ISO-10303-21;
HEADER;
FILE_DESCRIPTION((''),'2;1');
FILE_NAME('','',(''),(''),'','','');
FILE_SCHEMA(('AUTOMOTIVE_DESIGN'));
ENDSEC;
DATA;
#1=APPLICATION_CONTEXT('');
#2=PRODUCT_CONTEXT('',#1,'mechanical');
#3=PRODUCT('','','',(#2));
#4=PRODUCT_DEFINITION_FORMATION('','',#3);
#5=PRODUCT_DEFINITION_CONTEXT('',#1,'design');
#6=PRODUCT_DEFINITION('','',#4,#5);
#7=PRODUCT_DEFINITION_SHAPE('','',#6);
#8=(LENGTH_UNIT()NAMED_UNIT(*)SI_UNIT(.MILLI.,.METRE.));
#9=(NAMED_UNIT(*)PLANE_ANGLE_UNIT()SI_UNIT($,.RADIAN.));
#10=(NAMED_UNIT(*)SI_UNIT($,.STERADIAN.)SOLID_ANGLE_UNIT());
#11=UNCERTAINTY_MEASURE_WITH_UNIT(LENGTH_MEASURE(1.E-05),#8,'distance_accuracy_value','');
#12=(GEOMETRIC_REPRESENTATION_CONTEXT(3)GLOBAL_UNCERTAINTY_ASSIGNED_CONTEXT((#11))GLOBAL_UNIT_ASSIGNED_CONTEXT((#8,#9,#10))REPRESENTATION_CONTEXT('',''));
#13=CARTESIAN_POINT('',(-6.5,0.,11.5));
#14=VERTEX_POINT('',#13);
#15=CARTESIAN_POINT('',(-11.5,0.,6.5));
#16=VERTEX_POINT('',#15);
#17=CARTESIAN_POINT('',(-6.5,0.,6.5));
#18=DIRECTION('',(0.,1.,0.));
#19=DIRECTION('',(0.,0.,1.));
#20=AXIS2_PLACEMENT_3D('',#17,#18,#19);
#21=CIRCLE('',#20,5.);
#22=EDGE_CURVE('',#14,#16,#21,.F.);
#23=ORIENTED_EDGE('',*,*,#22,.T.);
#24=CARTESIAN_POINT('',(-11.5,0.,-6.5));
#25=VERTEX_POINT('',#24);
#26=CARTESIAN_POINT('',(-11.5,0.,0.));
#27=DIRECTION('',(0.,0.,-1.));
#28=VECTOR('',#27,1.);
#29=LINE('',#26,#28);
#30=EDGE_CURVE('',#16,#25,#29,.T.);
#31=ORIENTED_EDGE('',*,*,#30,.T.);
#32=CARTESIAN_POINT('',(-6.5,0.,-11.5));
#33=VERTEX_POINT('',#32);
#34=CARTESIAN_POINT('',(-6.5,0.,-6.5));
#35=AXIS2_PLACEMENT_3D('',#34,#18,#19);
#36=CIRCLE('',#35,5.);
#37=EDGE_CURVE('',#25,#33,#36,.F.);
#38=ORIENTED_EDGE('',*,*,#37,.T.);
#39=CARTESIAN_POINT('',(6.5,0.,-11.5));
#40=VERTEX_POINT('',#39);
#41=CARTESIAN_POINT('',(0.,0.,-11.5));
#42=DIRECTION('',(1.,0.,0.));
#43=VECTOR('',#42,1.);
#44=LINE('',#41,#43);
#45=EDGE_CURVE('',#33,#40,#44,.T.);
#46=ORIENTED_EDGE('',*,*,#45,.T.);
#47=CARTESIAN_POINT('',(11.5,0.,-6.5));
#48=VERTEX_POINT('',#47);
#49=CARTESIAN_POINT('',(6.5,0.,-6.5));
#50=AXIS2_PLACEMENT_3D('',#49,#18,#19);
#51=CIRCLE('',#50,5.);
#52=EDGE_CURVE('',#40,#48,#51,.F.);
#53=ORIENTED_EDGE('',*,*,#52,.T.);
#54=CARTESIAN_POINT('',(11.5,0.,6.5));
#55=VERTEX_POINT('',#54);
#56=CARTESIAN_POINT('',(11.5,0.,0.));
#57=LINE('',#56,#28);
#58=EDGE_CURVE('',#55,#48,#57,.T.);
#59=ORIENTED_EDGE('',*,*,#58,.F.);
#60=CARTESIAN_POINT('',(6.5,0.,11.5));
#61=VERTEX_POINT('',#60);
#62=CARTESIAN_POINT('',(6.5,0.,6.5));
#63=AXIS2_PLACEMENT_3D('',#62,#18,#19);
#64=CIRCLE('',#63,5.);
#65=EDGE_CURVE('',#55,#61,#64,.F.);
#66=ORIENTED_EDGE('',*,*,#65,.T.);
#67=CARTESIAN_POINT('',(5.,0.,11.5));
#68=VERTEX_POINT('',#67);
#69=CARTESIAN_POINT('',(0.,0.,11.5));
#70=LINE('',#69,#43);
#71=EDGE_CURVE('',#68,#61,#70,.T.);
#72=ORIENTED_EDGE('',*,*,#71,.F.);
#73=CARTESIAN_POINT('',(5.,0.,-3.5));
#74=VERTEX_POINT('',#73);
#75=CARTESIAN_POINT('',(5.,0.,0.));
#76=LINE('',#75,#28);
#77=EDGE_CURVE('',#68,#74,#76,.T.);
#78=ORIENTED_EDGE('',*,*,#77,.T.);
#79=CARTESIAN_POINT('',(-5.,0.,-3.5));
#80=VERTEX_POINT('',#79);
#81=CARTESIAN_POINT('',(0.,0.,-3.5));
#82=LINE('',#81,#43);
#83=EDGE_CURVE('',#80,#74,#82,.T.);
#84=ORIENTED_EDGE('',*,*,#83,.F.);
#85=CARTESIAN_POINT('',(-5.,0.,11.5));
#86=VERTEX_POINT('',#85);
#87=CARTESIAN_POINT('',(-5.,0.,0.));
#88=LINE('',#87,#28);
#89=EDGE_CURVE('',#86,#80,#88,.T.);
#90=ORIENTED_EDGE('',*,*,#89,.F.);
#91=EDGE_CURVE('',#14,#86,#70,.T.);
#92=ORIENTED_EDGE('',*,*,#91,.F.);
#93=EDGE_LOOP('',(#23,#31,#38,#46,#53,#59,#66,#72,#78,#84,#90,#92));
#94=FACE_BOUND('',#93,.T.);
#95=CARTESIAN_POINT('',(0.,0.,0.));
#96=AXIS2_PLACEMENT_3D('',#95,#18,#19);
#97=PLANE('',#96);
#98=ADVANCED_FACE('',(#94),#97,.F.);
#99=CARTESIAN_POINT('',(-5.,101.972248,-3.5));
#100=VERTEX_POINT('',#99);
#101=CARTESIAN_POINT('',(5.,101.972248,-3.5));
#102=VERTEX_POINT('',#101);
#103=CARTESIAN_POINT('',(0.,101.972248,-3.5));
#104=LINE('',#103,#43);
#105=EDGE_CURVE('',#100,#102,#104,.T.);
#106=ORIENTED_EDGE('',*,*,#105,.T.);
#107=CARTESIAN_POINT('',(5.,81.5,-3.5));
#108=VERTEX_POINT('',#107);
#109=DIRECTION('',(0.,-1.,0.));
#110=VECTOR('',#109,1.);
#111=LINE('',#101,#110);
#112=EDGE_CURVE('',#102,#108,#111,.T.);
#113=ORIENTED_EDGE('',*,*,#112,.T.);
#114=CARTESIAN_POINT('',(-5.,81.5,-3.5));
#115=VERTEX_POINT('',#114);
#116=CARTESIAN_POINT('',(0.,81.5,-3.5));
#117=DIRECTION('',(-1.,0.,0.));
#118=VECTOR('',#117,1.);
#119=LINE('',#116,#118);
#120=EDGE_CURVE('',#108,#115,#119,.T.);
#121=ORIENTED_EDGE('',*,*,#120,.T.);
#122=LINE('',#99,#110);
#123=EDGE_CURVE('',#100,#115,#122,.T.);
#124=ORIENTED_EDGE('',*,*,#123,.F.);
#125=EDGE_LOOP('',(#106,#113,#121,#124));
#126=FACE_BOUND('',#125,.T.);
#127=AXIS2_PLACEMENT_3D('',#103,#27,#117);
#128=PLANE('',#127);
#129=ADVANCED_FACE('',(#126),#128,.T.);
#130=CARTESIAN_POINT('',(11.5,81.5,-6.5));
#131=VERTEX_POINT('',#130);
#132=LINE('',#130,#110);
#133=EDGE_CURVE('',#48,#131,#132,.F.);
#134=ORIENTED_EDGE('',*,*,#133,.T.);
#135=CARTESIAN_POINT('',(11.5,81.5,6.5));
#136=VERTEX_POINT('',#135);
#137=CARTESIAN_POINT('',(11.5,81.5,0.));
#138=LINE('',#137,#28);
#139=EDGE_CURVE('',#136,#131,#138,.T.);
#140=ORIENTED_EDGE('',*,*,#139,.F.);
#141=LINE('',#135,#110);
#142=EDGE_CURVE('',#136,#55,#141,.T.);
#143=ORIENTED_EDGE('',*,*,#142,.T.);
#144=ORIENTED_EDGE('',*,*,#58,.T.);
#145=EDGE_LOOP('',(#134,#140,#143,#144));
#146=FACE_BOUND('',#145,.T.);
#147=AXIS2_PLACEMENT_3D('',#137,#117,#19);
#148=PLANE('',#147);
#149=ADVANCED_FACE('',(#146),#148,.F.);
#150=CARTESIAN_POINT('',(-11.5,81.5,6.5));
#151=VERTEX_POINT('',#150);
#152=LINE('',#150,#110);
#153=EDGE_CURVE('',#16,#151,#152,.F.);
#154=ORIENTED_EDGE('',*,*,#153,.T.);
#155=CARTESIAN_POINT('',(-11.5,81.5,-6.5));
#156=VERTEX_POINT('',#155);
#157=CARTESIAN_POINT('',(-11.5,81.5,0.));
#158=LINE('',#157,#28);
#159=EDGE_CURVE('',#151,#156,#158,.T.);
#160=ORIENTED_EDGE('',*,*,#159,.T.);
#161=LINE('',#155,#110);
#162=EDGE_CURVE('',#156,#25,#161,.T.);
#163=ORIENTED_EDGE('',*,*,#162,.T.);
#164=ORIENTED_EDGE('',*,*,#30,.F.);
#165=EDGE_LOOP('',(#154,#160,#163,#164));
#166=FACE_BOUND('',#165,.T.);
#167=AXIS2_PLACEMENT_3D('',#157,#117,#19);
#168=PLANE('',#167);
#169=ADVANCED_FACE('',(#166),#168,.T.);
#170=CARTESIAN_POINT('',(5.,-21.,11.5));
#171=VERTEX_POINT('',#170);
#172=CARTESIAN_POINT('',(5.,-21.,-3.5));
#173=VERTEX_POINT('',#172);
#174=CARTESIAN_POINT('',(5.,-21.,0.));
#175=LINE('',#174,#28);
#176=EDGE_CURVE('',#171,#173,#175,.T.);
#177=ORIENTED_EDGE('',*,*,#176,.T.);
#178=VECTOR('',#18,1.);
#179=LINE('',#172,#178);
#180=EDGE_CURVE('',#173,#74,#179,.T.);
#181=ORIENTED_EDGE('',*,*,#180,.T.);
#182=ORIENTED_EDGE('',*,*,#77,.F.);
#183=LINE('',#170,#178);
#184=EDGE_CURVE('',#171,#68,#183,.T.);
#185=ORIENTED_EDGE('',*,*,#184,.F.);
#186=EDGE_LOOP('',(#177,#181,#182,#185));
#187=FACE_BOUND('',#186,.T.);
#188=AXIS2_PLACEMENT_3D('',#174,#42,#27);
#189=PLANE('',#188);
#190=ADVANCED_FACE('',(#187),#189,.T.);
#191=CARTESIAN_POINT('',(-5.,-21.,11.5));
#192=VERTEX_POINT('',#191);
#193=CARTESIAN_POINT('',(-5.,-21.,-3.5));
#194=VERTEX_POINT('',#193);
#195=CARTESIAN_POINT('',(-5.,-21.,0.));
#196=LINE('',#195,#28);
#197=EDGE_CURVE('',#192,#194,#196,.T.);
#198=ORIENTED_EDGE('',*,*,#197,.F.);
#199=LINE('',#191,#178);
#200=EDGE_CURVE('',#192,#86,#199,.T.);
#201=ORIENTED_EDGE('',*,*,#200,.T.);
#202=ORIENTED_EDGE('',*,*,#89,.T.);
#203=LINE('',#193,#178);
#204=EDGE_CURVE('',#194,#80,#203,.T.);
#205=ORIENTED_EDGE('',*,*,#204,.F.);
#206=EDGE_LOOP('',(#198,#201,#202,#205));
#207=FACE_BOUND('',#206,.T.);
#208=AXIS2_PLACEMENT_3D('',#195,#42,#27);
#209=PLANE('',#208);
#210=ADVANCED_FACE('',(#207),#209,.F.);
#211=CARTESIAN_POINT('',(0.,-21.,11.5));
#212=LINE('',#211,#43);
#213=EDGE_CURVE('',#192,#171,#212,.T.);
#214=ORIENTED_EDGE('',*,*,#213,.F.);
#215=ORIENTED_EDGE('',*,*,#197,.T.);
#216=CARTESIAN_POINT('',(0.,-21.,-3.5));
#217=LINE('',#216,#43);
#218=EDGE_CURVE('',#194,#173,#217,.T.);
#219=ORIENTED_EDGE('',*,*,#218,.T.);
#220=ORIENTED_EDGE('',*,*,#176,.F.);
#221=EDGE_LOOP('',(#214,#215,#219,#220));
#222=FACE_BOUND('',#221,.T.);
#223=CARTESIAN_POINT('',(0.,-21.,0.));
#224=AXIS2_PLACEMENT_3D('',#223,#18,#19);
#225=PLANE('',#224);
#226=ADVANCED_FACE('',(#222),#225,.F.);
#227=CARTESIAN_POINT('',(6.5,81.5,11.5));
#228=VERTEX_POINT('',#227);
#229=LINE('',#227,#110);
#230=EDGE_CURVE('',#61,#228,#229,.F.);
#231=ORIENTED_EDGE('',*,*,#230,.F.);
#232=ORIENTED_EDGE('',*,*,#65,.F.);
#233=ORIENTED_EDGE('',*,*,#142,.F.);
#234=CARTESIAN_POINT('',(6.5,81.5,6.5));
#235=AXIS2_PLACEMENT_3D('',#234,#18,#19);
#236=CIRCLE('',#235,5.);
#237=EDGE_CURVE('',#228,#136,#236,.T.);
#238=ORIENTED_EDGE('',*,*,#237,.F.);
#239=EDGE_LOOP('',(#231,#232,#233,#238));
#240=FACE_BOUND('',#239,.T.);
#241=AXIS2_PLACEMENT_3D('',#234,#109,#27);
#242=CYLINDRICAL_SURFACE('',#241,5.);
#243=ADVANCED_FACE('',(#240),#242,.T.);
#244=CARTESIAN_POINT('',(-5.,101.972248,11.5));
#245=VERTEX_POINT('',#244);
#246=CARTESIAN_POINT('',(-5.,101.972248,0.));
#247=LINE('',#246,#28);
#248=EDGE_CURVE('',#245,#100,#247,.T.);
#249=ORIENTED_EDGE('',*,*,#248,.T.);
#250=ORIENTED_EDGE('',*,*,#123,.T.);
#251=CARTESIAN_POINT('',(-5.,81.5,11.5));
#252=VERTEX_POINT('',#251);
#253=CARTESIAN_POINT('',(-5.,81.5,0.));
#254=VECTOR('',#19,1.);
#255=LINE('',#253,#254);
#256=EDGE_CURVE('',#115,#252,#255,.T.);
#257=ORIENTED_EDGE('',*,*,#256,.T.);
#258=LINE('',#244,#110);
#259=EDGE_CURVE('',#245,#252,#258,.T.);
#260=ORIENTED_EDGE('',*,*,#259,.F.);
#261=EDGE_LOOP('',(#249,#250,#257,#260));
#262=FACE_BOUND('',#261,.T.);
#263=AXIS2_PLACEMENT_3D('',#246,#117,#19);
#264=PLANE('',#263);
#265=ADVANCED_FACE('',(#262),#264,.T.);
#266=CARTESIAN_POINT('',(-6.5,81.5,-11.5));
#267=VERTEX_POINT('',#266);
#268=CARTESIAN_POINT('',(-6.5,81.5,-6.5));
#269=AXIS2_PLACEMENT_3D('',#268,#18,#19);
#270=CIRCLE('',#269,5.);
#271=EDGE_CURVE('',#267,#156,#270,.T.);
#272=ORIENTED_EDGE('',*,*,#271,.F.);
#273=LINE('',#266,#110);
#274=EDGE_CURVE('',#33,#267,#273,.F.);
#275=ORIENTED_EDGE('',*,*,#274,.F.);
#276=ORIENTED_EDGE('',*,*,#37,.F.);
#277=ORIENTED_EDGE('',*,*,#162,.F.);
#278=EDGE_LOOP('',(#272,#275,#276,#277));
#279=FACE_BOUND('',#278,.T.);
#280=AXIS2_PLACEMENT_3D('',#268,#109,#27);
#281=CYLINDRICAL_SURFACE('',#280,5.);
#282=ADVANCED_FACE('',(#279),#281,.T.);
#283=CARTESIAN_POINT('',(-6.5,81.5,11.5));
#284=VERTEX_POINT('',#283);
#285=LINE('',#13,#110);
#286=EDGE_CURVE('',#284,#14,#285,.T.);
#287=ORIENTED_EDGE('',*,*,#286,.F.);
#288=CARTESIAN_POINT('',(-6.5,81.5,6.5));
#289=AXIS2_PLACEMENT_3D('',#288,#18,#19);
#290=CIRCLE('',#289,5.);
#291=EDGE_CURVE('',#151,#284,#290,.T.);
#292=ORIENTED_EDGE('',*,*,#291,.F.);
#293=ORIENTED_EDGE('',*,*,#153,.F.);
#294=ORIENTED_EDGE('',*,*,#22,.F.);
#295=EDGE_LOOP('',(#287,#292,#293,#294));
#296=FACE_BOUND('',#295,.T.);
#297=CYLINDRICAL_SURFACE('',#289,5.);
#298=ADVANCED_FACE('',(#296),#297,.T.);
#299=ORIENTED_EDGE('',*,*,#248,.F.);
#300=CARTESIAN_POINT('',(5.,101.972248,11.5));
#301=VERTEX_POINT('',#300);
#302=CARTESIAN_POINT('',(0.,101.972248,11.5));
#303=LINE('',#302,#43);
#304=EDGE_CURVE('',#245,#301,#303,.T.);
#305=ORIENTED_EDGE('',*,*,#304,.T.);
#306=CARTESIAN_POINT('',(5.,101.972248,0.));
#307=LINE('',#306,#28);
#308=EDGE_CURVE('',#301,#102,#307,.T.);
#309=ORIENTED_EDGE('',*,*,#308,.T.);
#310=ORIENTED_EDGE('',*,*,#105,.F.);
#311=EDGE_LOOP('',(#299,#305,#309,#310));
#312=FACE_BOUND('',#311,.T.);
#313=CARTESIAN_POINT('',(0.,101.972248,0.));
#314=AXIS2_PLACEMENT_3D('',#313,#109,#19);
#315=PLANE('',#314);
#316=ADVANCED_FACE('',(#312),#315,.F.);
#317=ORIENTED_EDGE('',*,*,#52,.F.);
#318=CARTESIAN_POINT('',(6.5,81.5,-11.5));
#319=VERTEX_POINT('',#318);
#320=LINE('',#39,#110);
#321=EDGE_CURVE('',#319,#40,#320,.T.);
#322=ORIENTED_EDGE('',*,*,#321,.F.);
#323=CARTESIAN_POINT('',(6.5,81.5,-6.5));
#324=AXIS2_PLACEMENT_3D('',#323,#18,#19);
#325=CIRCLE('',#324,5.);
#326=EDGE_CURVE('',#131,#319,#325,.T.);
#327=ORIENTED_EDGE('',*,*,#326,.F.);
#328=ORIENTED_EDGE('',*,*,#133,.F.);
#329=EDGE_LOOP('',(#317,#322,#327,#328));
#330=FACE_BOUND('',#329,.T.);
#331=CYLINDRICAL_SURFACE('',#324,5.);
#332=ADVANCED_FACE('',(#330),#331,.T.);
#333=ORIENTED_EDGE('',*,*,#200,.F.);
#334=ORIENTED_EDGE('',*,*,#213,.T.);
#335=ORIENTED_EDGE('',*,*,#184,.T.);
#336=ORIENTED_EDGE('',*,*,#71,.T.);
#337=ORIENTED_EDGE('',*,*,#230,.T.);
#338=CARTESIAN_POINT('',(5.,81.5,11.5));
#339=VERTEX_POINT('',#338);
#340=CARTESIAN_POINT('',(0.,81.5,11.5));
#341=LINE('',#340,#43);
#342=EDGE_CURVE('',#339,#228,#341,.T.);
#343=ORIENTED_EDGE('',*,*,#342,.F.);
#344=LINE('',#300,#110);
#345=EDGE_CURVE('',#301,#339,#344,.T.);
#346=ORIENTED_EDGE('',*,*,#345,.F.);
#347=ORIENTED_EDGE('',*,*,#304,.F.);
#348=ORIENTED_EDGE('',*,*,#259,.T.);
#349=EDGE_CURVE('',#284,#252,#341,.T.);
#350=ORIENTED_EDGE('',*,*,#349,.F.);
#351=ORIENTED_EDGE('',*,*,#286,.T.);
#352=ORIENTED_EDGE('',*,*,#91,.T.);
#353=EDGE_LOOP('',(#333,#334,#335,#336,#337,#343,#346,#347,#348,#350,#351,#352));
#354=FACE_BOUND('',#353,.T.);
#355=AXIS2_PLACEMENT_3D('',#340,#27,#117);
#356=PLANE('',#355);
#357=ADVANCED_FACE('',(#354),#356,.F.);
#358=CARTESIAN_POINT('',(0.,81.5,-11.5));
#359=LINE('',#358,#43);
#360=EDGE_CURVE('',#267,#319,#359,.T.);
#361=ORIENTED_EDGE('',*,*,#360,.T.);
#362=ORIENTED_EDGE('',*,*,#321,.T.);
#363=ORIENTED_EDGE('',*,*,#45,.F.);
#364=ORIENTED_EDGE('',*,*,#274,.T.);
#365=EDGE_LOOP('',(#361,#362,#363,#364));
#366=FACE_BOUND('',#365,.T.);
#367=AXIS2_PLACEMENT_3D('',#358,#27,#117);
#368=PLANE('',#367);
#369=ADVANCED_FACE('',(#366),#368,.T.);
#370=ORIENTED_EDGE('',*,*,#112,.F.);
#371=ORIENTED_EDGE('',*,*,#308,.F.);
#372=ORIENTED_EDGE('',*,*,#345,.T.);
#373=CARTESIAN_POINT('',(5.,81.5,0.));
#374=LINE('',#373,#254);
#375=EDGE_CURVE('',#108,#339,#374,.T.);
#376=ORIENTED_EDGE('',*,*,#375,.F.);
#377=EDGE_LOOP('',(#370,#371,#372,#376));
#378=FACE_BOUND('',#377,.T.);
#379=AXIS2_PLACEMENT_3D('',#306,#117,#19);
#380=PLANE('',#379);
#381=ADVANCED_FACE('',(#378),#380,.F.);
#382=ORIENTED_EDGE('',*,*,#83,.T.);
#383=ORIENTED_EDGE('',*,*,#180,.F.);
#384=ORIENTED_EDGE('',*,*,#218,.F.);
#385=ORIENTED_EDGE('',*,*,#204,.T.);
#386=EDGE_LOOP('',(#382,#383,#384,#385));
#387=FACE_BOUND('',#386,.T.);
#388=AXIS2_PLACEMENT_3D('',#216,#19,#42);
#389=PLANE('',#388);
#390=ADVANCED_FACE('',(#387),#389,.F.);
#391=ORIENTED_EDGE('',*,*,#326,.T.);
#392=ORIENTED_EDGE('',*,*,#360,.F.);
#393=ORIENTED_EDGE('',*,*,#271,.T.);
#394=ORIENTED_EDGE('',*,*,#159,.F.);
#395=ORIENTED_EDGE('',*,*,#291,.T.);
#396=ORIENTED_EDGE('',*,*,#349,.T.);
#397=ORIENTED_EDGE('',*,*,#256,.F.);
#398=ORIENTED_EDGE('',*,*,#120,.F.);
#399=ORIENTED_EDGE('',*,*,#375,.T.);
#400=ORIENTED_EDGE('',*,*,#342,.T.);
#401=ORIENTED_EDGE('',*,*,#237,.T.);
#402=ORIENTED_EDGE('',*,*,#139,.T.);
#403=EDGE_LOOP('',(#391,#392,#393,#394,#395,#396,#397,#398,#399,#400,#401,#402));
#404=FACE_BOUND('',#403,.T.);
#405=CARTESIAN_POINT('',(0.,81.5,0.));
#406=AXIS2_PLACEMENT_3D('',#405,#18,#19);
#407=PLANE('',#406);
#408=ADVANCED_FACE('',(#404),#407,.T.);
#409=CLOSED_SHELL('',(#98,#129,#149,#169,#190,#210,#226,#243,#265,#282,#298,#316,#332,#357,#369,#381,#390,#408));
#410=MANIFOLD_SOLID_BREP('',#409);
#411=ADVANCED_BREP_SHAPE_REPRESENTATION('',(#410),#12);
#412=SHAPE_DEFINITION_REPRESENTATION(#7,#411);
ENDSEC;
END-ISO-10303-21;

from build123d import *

# Parameters (mm, degrees)
SKETCH2_W           = 23
SKETCH2_H           = 23
BOSS_EXTRUDE1_DEPTH = 81.5
SKETCH2_3_W         = 10
SKETCH2_3_H         = 15
BOSS_EXTRUDE2_DEPTH = 21
FILLET1_R           = 5


with BuildPart() as part:
    # Sketch2 → Boss-Extrude1 (new body)
    with BuildSketch(Plane(origin=(0, 0, 0), x_dir=(1, 0, 0), z_dir=(0, 1, 0))):
        Rectangle(SKETCH2_W, SKETCH2_H)
    extrude(amount=BOSS_EXTRUDE1_DEPTH)

    # Sketch2<3> → Boss-Extrude2 (add)
    with BuildSketch(Plane(origin=(0, 0, 0), x_dir=(1, 0, 0), z_dir=(0, 1, 0))):
        with Locations((0, -4)):
            Rectangle(SKETCH2_3_W, SKETCH2_3_H)
    boss_extrude2 = extrude(amount=-BOSS_EXTRUDE2_DEPTH)

    # Fillet1
    fillet1_edges = [part.edges().sort_by_distance(p)[0] for p in [
        (-11.5, 40.75, 11.5),
        (11.5, 40.75, 11.5),
        (-11.5, 40.75, -11.5),
        (11.5, 40.75, -11.5),
    ]]
    fillet(fillet1_edges, radius=FILLET1_R)

    # Mirror1: Boss-Extrude2 across plane
    add(boss_extrude2.mirror(Plane.ZX.offset(40.486123935)))


solid = part.part
